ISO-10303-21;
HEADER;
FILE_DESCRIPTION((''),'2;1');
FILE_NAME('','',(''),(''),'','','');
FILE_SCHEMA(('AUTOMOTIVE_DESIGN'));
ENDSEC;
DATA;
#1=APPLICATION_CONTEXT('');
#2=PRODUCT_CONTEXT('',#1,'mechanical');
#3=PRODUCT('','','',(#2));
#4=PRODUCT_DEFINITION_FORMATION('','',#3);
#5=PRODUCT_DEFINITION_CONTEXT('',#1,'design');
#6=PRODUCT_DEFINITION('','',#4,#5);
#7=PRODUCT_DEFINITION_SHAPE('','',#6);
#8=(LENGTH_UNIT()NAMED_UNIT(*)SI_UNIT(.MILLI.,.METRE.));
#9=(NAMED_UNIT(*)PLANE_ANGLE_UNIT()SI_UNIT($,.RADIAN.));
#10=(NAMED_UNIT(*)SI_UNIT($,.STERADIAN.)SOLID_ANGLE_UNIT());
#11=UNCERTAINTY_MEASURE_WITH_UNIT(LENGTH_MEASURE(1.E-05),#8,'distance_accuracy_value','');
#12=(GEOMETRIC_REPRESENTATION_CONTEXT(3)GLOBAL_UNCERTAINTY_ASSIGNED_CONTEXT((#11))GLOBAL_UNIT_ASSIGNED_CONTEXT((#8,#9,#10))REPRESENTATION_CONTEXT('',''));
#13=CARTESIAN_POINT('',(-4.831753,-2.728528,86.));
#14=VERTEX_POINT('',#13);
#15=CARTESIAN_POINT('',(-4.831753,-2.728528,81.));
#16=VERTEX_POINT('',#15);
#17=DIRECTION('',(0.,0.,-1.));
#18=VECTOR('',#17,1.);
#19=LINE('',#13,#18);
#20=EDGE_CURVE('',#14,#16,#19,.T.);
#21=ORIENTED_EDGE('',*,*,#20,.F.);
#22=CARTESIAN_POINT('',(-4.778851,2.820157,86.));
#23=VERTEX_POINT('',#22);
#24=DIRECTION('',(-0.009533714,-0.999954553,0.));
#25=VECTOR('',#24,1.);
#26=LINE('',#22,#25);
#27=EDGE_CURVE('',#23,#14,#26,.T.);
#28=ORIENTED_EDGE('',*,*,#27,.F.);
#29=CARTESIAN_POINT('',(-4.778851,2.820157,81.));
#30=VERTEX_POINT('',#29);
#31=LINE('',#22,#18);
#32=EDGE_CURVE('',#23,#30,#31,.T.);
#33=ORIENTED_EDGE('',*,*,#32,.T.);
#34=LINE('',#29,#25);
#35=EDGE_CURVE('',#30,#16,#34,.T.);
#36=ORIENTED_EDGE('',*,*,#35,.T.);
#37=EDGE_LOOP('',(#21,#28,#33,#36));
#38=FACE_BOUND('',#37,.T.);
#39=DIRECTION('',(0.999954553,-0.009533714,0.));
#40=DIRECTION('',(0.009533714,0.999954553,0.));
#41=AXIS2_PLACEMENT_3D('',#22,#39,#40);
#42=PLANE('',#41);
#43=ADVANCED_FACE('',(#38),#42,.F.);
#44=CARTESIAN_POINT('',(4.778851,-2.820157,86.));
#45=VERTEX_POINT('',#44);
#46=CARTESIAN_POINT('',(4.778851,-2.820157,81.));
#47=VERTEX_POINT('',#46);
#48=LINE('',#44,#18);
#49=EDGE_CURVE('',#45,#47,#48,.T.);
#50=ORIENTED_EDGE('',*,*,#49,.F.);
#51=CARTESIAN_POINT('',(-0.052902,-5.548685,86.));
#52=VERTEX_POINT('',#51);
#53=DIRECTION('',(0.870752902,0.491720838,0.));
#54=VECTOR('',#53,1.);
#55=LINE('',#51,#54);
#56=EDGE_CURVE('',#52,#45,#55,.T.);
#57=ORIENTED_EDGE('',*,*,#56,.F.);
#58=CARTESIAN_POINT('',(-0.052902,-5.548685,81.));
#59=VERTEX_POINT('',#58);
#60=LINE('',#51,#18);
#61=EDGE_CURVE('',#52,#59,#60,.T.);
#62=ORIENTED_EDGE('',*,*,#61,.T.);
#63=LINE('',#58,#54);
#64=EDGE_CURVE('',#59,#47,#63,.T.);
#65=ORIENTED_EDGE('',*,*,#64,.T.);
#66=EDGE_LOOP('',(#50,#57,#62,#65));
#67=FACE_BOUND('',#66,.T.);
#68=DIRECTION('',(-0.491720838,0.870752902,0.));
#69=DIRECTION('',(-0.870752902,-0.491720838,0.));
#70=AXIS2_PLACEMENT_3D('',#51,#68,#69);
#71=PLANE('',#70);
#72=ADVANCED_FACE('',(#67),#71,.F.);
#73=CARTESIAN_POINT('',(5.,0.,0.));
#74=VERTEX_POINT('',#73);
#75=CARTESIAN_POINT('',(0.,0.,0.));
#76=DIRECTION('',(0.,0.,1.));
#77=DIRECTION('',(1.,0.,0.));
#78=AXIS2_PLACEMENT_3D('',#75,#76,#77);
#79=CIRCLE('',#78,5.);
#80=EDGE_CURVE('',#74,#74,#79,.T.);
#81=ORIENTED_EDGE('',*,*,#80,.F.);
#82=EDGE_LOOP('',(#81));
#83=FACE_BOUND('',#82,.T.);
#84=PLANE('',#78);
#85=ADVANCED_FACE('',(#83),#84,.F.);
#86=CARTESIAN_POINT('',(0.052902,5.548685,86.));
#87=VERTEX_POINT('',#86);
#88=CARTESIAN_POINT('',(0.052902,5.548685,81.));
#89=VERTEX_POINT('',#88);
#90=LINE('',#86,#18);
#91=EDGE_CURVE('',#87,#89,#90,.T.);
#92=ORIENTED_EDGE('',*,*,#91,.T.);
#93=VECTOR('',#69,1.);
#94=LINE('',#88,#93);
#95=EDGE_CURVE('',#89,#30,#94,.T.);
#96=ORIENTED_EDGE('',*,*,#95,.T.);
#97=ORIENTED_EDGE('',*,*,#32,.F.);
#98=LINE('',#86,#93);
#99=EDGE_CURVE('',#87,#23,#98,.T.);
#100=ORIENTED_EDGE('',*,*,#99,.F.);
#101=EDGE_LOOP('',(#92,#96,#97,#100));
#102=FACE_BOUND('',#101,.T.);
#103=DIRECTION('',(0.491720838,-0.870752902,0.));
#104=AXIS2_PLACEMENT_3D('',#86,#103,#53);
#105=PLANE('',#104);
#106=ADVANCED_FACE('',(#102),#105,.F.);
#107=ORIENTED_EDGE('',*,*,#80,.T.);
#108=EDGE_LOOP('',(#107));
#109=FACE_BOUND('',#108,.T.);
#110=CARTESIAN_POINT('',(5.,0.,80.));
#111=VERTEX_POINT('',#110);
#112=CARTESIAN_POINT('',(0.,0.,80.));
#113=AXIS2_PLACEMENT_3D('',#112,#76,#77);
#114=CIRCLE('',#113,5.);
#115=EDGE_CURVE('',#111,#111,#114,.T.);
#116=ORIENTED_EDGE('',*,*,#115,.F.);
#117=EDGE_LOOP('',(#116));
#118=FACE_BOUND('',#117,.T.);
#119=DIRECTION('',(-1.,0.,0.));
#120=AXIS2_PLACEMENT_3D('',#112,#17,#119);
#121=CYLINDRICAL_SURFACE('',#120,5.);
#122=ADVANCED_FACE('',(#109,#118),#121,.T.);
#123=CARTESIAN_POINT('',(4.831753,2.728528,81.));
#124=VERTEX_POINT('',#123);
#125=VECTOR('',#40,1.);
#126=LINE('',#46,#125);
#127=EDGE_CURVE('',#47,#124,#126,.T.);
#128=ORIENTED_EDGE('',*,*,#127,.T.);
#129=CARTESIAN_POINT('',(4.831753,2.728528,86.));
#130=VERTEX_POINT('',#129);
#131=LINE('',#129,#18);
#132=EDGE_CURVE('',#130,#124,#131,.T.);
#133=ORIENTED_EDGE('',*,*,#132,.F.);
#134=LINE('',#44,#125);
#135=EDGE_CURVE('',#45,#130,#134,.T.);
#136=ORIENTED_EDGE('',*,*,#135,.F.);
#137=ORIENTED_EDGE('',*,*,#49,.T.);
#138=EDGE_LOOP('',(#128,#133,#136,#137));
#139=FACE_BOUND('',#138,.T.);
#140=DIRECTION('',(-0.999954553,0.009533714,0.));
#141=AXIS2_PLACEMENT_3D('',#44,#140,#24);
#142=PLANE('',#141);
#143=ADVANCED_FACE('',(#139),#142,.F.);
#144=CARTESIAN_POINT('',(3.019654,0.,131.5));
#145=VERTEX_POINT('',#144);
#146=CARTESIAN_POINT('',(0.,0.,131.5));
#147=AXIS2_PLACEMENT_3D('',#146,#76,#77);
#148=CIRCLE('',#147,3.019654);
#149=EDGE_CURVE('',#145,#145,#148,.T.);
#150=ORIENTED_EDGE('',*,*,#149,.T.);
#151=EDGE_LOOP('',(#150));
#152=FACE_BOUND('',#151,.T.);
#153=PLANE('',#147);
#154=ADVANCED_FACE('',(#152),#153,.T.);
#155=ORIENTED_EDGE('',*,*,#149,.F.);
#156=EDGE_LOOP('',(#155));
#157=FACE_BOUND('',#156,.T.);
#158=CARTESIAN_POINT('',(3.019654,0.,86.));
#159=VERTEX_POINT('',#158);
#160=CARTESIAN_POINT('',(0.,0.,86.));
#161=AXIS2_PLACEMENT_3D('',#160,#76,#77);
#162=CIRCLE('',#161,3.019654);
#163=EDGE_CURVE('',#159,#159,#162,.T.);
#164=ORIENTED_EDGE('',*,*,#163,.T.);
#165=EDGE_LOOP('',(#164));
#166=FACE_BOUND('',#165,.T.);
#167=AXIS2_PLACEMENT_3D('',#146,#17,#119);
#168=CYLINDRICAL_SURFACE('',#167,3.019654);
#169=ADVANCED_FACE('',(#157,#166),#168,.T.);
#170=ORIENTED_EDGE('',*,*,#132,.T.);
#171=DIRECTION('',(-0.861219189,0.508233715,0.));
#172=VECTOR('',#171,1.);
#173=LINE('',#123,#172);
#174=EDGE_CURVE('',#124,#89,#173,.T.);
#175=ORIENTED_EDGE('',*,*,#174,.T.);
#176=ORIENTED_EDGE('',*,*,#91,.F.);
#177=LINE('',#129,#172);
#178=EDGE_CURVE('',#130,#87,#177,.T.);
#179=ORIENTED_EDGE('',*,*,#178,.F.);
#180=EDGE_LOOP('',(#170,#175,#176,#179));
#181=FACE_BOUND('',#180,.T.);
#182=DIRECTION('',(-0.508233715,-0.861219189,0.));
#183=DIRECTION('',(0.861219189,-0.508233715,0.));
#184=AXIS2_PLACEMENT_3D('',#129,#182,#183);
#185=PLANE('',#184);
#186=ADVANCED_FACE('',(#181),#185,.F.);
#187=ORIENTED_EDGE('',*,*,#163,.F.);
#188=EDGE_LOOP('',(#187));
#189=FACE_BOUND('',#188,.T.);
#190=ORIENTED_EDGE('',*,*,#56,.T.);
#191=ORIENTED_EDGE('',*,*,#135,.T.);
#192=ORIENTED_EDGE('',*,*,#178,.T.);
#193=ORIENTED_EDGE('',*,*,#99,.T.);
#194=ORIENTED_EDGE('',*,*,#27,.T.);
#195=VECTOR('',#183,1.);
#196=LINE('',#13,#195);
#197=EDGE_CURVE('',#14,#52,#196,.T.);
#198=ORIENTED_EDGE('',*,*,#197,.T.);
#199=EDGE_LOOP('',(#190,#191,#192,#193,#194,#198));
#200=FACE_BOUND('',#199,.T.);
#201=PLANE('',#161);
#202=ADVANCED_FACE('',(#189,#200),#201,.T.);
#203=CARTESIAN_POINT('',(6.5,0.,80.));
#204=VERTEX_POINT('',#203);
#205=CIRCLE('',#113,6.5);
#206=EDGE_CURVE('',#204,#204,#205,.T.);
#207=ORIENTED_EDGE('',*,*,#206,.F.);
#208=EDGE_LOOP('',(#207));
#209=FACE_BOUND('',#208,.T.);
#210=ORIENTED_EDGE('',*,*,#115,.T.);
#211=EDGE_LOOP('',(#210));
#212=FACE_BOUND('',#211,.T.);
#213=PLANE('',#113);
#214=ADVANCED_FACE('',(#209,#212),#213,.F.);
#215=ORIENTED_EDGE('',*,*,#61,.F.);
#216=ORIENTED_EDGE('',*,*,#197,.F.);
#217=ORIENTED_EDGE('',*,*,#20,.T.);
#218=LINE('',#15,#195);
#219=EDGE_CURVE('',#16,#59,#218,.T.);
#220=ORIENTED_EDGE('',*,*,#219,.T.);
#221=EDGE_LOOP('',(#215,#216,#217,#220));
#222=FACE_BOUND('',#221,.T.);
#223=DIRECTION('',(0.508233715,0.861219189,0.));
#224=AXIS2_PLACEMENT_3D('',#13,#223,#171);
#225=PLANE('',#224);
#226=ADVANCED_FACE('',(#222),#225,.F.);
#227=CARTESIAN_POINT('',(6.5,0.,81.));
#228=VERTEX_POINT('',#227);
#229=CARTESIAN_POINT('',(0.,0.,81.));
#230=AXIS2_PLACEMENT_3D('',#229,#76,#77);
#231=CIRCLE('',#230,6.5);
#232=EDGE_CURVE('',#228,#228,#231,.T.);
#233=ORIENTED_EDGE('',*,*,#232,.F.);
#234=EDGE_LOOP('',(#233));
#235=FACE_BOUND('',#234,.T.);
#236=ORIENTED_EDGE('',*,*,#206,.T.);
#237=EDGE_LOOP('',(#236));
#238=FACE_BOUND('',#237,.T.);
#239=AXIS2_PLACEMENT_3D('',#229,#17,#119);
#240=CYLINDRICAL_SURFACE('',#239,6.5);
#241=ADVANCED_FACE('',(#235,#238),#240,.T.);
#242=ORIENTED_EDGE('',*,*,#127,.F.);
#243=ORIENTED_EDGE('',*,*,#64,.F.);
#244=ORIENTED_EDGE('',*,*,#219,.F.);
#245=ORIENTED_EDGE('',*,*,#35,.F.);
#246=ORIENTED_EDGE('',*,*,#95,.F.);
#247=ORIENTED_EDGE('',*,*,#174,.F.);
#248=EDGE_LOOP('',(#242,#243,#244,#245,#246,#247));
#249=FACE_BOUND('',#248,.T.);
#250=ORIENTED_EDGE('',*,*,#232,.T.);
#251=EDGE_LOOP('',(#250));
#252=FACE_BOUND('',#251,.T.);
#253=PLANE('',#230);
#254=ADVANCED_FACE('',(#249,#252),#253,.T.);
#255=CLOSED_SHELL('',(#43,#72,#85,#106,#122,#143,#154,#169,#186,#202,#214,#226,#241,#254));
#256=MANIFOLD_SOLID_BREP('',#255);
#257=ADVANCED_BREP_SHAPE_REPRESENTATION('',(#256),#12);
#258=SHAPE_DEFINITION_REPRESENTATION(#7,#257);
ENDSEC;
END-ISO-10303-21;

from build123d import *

# Parameters (mm, degrees)
SKETCH1_R           = 5
BOSS_EXTRUDE1_DEPTH = 80
SKETCH2_R           = 6.5
BOSS_EXTRUDE2_DEPTH = 1
BOSS_EXTRUDE5_DEPTH = 5
SKETCH6_R           = 3.019653564
BOSS_EXTRUDE6_DEPTH = 45.5


with BuildPart() as part:
    # Sketch1 → Boss-Extrude1 (new body)
    with BuildSketch(Plane.XY):
        Circle(SKETCH1_R)
    extrude(amount=BOSS_EXTRUDE1_DEPTH)

    # Sketch2 → Boss-Extrude2 (add)
    with BuildSketch(Plane.XY.offset(80)):
        Circle(SKETCH2_R)
    extrude(amount=BOSS_EXTRUDE2_DEPTH)

    # Sketch5 → Boss-Extrude5 (add)
    with BuildSketch(Plane.XY.offset(81)):
        Polygon((4.778851136, -2.820156932), (4.831753114, 2.728528019), (0.052901978, 5.548684951), (-4.778851136, 2.820156932), (-4.831753114, -2.728528019), (-0.052901978, -5.548684951), align=None)
    extrude(amount=BOSS_EXTRUDE5_DEPTH)

    # Sketch6 → Boss-Extrude6 (add)
    with BuildSketch(Plane.XY.offset(86)):
        Circle(SKETCH6_R)
    extrude(amount=BOSS_EXTRUDE6_DEPTH)


solid = part.part
